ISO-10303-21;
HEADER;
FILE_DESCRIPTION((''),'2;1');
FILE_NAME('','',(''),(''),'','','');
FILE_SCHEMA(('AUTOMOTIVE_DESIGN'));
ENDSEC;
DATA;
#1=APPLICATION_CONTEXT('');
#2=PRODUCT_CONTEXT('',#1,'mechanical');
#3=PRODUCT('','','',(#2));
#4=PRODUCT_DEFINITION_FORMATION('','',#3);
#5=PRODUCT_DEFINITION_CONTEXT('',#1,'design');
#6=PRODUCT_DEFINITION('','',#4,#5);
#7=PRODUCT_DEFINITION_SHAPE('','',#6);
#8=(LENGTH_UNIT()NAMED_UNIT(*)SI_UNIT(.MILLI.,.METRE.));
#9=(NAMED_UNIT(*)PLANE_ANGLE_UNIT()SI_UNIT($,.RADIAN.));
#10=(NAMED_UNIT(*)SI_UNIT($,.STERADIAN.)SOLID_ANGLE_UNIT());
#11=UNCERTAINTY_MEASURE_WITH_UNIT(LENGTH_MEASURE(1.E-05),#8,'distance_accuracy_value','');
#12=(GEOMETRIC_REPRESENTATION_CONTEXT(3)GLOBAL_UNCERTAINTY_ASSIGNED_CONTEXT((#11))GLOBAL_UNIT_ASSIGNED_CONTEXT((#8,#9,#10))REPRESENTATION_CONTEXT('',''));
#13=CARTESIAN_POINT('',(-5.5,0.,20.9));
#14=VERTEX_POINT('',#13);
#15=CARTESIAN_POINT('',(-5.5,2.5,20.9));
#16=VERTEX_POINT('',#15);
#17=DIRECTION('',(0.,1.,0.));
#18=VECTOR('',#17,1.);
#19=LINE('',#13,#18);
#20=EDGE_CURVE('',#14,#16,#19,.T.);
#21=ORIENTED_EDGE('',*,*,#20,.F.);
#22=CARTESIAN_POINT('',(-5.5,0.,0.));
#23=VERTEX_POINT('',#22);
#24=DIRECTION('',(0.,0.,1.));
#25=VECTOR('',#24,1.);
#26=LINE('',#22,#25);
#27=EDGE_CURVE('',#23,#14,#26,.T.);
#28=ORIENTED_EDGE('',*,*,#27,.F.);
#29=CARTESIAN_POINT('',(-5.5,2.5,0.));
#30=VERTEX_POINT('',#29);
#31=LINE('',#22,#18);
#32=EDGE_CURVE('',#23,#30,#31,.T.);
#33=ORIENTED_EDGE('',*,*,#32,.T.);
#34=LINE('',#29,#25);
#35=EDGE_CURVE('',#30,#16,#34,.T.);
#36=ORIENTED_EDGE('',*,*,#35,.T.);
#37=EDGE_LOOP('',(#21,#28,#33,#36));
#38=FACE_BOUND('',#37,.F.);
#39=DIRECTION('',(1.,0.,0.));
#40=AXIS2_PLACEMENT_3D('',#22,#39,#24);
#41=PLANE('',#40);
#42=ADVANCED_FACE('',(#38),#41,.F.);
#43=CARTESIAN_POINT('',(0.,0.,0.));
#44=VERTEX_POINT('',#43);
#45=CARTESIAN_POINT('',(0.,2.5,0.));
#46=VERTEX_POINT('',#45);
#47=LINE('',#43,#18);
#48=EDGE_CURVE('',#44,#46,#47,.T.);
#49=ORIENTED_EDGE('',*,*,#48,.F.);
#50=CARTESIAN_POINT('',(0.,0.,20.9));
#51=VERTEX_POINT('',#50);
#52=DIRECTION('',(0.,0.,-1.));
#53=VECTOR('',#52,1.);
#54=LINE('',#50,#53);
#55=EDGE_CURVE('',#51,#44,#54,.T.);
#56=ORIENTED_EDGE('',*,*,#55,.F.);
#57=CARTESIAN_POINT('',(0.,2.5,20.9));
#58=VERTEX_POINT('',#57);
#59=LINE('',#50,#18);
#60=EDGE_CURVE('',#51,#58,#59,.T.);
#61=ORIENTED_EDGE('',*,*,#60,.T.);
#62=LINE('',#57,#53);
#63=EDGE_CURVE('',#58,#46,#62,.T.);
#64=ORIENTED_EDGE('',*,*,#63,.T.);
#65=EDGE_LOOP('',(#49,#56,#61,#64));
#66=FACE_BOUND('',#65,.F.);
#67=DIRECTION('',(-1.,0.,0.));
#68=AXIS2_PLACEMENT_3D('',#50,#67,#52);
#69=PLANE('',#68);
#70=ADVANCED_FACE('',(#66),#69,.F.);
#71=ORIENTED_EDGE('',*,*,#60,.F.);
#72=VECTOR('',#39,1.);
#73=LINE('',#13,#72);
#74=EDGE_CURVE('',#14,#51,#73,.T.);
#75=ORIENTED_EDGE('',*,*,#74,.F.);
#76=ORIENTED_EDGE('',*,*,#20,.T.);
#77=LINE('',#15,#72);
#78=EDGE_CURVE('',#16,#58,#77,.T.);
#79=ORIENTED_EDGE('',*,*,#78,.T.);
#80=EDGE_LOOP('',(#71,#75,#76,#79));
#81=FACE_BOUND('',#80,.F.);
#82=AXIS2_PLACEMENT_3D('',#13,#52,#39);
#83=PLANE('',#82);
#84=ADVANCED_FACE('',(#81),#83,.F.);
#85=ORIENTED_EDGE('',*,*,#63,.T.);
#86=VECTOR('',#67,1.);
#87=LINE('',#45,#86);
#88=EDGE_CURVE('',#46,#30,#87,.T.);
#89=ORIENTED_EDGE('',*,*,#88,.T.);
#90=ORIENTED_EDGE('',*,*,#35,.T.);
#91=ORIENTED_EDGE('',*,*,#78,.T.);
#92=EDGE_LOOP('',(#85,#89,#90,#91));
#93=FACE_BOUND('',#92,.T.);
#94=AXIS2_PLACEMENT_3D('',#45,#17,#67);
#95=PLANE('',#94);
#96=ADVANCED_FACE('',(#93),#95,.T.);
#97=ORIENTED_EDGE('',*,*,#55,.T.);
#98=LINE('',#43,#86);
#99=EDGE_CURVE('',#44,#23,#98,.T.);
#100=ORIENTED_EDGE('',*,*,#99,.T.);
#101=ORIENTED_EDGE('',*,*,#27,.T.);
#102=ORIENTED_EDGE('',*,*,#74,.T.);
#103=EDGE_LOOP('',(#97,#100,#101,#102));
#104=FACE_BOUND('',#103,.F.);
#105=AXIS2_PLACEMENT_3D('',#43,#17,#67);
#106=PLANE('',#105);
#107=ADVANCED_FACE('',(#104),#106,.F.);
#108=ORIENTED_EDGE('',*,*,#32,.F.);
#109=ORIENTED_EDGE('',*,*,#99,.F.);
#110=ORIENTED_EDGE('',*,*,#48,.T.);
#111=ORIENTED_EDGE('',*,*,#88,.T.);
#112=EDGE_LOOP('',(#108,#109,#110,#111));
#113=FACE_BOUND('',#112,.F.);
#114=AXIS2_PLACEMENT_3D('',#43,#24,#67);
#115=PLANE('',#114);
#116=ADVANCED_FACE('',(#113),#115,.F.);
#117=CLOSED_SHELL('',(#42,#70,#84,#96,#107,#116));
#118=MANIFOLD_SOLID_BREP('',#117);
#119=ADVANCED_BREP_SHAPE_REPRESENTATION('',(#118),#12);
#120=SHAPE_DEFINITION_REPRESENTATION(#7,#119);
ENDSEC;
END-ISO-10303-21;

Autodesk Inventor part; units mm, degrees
ref_plane "YZ Plane" through (0, 0, 0) normal (1, 0, 0) x (0, 1, 0)
ref_plane "XZ Plane" through (0, 0, 0) normal (0, 1, 0) x (-1, 0, 0)
ref_plane "XY Plane" through (0, 0, 0) normal (0, 0, 1) x (1, 0, 0)
sketch "Skizze1" plane through (0, 0, 0) normal (0, 1, 0) x (-1, 0, 0)
  line L0 (0, 0) -> (5.5, 0)
  line L1 (5.5, 0) -> (5.5, 20.9)
  line L2 (5.5, 20.9) -> (0, 20.9)
  line L3 (0, 20.9) -> (0, 0)
  dimension "d0" = 5.5
  dimension "d1" = 20.9
extrude "Extrusion1" add sketch "Skizze1" along normal blind 2.5
properties part number "connector"
